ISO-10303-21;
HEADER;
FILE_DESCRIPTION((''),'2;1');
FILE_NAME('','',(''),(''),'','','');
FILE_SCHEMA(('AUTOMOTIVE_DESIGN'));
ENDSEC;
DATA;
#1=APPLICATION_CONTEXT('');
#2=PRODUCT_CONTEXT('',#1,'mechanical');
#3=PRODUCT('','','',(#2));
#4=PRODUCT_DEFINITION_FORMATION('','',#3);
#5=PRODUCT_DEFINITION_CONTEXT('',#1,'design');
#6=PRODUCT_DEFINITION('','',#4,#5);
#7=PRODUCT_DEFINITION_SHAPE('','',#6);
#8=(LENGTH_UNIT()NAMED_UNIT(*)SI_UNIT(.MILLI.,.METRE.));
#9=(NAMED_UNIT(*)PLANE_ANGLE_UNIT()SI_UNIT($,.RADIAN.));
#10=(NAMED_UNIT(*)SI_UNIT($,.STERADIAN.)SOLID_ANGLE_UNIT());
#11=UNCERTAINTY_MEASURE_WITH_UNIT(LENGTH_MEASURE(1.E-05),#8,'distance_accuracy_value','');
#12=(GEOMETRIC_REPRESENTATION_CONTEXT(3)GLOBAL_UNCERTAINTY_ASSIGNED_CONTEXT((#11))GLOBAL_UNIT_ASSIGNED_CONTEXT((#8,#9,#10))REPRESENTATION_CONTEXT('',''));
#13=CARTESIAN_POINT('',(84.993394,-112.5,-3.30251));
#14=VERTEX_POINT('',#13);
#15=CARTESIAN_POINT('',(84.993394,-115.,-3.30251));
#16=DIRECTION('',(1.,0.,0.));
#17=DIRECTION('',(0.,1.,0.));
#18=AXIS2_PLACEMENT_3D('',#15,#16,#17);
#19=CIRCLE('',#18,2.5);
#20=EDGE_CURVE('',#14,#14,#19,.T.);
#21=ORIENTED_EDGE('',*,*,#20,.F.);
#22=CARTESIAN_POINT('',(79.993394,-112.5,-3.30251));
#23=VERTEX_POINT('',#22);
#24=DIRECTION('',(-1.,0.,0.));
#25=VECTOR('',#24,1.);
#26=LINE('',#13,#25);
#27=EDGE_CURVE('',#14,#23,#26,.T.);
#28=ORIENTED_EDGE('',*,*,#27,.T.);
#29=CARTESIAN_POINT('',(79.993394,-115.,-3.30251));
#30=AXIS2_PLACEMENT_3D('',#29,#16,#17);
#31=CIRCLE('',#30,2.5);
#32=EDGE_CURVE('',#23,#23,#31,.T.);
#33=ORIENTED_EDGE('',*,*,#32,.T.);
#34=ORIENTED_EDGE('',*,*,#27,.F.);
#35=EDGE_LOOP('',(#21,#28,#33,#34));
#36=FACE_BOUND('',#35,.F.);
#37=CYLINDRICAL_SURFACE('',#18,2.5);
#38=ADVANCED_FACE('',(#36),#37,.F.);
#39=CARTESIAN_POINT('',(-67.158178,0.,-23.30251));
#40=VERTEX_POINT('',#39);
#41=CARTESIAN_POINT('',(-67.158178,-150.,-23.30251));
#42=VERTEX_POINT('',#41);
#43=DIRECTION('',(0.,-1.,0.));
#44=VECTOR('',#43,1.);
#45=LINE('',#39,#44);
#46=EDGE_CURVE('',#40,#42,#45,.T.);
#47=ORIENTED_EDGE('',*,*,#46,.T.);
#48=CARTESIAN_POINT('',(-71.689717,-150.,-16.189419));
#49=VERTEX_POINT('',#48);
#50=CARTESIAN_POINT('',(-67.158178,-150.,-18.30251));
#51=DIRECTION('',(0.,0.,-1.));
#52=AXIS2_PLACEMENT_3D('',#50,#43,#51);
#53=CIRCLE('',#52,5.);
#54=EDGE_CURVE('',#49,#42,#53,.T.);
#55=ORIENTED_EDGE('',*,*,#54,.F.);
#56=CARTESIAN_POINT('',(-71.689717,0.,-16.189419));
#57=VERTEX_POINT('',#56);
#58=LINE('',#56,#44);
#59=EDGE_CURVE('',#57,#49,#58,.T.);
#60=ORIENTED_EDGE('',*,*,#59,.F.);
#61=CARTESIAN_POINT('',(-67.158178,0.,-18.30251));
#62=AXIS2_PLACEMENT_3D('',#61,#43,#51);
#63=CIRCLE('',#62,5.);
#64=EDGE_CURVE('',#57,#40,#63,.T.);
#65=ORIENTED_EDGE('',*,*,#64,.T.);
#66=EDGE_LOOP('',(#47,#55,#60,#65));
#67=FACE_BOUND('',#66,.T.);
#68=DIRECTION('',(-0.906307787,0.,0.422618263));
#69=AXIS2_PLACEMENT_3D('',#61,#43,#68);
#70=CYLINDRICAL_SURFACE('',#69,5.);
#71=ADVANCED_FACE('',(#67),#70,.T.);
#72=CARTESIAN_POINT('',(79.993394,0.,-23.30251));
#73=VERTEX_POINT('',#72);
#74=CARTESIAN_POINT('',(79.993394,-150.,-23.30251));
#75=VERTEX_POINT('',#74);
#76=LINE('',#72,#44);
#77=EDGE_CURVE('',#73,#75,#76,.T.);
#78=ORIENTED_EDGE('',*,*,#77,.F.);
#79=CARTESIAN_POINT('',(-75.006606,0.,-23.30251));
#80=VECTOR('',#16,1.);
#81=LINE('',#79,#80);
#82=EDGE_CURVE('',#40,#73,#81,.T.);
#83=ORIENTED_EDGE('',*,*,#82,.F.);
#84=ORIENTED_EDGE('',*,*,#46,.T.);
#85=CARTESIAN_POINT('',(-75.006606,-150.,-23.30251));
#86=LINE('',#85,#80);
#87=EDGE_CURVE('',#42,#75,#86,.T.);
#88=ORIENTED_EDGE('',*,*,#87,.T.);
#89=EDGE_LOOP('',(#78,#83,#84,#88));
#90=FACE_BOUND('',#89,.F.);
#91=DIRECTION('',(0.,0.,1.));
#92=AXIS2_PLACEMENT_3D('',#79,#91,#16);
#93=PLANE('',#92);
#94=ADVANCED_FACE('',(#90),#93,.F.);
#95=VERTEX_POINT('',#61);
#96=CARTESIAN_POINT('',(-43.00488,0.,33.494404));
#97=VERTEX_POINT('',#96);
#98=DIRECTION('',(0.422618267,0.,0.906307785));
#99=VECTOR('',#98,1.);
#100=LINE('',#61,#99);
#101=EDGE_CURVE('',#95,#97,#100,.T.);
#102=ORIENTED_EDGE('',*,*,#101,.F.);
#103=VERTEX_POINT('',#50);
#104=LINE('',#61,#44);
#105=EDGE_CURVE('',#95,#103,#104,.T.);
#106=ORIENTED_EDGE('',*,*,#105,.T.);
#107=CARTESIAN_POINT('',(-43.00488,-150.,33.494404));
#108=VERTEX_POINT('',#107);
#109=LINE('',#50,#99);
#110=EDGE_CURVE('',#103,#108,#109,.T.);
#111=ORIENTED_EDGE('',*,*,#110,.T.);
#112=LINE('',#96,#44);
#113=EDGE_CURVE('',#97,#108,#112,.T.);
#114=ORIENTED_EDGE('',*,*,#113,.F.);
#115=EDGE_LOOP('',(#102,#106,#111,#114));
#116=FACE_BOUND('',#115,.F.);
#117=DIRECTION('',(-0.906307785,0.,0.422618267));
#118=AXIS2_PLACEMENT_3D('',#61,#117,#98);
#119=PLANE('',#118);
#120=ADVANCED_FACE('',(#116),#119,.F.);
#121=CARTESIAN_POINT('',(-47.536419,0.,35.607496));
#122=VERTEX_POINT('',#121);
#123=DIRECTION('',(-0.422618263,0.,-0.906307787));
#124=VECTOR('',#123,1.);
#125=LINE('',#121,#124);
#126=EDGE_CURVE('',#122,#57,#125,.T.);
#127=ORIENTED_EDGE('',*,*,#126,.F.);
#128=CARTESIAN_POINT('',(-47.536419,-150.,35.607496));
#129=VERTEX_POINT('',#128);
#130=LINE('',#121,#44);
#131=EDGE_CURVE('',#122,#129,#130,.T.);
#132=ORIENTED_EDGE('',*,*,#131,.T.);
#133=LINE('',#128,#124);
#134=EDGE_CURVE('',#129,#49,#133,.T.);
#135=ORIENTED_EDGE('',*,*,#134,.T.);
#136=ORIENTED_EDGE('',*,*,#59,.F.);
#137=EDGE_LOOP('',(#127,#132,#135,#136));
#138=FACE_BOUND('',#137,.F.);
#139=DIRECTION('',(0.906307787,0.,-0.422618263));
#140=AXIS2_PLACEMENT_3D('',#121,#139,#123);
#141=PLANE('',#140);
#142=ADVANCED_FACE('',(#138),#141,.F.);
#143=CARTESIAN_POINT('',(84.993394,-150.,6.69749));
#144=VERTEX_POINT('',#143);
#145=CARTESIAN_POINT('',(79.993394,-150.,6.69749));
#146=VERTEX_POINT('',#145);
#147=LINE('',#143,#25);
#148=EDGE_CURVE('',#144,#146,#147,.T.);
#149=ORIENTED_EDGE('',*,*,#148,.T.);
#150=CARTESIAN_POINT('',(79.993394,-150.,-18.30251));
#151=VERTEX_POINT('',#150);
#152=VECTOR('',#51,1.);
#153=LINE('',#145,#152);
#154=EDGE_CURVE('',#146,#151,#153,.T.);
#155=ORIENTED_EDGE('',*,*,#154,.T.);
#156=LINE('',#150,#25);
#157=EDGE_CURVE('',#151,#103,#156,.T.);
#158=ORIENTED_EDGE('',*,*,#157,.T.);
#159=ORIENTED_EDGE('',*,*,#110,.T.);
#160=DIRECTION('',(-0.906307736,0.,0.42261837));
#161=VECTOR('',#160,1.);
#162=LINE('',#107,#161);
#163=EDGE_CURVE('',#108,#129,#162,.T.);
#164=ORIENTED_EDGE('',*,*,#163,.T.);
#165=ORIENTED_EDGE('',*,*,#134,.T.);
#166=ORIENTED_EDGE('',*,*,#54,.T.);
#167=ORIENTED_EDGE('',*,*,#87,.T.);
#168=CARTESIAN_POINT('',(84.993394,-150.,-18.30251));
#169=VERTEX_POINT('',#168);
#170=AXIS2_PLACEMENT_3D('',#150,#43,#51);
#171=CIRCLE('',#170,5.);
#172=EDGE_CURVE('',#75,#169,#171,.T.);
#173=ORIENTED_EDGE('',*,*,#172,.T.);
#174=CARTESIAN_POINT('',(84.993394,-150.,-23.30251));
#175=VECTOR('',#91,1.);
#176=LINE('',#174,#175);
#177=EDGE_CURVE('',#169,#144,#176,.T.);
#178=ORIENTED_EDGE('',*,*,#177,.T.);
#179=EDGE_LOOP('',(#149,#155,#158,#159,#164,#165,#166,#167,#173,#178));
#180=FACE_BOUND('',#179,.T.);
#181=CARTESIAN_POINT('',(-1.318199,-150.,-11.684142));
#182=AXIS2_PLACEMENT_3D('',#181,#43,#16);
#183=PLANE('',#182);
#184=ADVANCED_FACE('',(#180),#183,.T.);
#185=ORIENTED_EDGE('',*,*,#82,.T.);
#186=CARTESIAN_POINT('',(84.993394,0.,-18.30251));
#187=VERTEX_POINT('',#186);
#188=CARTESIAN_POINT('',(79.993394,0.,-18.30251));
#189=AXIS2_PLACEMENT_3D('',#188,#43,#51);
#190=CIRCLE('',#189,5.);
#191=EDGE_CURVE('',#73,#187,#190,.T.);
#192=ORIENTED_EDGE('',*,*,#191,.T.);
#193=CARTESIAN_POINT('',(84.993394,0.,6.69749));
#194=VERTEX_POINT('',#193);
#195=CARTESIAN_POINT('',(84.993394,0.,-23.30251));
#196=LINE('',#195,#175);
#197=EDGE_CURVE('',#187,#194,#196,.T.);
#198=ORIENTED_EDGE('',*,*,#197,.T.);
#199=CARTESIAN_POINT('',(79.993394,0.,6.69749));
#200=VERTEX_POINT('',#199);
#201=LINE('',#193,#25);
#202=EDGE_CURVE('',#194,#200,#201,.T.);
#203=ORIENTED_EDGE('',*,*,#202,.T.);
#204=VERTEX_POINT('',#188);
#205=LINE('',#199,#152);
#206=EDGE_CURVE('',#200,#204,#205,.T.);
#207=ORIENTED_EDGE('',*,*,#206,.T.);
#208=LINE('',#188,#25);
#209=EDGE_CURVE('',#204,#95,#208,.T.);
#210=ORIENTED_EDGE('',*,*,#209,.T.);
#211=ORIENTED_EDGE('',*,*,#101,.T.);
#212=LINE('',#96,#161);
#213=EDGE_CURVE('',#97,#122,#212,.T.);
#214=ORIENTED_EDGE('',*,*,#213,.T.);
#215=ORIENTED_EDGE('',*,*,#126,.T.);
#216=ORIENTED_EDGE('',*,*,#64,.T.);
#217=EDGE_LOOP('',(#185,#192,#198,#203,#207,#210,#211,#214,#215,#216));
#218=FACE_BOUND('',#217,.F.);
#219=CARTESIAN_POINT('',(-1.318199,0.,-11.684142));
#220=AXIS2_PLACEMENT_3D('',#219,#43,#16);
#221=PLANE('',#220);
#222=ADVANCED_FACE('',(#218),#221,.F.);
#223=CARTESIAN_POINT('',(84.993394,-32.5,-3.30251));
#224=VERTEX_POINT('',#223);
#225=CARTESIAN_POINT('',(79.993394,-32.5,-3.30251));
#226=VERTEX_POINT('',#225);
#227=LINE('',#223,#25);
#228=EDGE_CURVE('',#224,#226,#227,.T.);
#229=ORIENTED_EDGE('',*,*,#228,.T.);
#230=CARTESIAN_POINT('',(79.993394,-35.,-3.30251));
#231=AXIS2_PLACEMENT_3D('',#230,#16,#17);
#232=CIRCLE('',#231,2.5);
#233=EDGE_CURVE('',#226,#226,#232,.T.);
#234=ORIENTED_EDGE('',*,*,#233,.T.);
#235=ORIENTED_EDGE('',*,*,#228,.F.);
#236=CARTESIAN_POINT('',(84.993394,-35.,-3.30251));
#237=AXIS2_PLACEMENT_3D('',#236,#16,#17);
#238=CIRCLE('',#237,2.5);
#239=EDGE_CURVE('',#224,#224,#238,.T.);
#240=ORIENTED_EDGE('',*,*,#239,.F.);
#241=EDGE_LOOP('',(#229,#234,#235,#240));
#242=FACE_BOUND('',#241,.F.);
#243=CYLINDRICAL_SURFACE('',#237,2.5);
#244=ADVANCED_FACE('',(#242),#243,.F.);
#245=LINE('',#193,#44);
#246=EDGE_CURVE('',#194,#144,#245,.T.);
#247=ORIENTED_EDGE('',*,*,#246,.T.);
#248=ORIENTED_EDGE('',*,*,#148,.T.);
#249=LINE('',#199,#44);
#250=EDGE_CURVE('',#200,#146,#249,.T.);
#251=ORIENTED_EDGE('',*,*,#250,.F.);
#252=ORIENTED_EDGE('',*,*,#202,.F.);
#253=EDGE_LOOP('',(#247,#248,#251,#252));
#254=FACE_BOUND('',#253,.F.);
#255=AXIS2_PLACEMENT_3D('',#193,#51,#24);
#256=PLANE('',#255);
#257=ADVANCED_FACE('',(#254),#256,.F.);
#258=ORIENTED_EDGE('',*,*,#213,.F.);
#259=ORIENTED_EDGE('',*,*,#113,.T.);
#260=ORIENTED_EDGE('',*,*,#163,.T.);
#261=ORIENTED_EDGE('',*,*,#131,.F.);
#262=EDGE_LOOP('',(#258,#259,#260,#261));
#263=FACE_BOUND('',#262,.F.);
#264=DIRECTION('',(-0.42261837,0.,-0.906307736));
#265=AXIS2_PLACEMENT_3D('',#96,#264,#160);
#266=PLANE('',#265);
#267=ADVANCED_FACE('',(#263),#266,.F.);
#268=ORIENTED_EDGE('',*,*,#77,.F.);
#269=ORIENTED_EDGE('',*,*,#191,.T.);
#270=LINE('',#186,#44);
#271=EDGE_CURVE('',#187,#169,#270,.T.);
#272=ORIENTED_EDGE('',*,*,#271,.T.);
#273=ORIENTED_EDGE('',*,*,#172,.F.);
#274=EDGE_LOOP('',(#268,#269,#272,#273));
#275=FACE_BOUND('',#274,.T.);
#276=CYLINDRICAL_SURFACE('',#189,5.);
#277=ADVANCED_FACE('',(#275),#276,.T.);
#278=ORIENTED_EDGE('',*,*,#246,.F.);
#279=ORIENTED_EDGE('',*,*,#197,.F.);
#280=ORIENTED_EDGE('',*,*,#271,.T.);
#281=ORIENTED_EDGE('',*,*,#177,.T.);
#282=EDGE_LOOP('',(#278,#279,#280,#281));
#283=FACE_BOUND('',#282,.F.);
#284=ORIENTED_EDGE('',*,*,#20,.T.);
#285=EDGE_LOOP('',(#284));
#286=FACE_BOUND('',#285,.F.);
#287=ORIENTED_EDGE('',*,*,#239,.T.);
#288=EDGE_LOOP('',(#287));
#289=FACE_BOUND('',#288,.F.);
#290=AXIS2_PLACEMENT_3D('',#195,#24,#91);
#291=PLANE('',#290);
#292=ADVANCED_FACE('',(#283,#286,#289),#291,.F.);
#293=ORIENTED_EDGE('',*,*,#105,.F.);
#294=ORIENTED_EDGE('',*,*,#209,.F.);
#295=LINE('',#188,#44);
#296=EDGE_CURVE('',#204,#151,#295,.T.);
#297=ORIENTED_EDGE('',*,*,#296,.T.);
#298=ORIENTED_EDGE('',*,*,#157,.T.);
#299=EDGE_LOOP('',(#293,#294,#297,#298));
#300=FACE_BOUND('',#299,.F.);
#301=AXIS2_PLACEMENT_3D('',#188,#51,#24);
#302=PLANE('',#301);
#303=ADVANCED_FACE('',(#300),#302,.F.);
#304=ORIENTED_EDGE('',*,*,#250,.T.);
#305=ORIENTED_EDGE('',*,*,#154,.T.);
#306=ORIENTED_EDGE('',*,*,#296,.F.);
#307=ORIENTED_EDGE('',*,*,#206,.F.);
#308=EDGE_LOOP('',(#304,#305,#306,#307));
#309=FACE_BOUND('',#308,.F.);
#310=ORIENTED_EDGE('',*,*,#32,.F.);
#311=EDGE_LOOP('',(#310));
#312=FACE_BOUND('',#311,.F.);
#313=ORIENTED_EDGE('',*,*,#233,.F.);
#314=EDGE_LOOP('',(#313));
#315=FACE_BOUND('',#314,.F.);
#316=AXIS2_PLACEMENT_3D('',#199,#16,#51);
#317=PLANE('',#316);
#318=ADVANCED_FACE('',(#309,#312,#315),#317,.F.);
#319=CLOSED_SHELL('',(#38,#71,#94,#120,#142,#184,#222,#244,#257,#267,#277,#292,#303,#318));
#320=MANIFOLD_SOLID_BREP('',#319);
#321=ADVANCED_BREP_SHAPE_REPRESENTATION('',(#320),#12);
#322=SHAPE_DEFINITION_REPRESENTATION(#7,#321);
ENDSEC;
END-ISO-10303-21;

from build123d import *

# Parameters (mm, degrees)
F1_DEPTH = 150
F2_R     = 5
F3_R     = 2.5
F4_DEPTH = 25


with BuildPart() as f1:
    # F0 (on Front) → F1 (new body)
    with BuildSketch(Plane.XZ):
        Polygon((-47.536419, 35.607496), (-75.006606, -23.30251), (84.993394, -23.30251), (84.993394, 6.69749), (79.993394, 6.69749), (79.993394, -18.30251), (-67.158178, -18.30251), (-43.00488, 33.494404), align=None)
    extrude(amount=F1_DEPTH)

    # F2
    f2_edges = [f1.edges().sort_by_distance(p)[0] for p in [
        (-75.006606, -75, -23.30251),
        (84.993394, -75, -23.30251),
    ]]
    fillet(f2_edges, radius=F2_R)

    # F3 (on face) → F4 (cut)
    with BuildSketch(Plane.YZ.offset(84.993394)):
        with Locations((-115, -3.30251)):
            Circle(F3_R)
        with Locations((-35, -3.30251)):
            Circle(F3_R)
    extrude(amount=-F4_DEPTH, mode=Mode.SUBTRACT)


solid = f1.part
